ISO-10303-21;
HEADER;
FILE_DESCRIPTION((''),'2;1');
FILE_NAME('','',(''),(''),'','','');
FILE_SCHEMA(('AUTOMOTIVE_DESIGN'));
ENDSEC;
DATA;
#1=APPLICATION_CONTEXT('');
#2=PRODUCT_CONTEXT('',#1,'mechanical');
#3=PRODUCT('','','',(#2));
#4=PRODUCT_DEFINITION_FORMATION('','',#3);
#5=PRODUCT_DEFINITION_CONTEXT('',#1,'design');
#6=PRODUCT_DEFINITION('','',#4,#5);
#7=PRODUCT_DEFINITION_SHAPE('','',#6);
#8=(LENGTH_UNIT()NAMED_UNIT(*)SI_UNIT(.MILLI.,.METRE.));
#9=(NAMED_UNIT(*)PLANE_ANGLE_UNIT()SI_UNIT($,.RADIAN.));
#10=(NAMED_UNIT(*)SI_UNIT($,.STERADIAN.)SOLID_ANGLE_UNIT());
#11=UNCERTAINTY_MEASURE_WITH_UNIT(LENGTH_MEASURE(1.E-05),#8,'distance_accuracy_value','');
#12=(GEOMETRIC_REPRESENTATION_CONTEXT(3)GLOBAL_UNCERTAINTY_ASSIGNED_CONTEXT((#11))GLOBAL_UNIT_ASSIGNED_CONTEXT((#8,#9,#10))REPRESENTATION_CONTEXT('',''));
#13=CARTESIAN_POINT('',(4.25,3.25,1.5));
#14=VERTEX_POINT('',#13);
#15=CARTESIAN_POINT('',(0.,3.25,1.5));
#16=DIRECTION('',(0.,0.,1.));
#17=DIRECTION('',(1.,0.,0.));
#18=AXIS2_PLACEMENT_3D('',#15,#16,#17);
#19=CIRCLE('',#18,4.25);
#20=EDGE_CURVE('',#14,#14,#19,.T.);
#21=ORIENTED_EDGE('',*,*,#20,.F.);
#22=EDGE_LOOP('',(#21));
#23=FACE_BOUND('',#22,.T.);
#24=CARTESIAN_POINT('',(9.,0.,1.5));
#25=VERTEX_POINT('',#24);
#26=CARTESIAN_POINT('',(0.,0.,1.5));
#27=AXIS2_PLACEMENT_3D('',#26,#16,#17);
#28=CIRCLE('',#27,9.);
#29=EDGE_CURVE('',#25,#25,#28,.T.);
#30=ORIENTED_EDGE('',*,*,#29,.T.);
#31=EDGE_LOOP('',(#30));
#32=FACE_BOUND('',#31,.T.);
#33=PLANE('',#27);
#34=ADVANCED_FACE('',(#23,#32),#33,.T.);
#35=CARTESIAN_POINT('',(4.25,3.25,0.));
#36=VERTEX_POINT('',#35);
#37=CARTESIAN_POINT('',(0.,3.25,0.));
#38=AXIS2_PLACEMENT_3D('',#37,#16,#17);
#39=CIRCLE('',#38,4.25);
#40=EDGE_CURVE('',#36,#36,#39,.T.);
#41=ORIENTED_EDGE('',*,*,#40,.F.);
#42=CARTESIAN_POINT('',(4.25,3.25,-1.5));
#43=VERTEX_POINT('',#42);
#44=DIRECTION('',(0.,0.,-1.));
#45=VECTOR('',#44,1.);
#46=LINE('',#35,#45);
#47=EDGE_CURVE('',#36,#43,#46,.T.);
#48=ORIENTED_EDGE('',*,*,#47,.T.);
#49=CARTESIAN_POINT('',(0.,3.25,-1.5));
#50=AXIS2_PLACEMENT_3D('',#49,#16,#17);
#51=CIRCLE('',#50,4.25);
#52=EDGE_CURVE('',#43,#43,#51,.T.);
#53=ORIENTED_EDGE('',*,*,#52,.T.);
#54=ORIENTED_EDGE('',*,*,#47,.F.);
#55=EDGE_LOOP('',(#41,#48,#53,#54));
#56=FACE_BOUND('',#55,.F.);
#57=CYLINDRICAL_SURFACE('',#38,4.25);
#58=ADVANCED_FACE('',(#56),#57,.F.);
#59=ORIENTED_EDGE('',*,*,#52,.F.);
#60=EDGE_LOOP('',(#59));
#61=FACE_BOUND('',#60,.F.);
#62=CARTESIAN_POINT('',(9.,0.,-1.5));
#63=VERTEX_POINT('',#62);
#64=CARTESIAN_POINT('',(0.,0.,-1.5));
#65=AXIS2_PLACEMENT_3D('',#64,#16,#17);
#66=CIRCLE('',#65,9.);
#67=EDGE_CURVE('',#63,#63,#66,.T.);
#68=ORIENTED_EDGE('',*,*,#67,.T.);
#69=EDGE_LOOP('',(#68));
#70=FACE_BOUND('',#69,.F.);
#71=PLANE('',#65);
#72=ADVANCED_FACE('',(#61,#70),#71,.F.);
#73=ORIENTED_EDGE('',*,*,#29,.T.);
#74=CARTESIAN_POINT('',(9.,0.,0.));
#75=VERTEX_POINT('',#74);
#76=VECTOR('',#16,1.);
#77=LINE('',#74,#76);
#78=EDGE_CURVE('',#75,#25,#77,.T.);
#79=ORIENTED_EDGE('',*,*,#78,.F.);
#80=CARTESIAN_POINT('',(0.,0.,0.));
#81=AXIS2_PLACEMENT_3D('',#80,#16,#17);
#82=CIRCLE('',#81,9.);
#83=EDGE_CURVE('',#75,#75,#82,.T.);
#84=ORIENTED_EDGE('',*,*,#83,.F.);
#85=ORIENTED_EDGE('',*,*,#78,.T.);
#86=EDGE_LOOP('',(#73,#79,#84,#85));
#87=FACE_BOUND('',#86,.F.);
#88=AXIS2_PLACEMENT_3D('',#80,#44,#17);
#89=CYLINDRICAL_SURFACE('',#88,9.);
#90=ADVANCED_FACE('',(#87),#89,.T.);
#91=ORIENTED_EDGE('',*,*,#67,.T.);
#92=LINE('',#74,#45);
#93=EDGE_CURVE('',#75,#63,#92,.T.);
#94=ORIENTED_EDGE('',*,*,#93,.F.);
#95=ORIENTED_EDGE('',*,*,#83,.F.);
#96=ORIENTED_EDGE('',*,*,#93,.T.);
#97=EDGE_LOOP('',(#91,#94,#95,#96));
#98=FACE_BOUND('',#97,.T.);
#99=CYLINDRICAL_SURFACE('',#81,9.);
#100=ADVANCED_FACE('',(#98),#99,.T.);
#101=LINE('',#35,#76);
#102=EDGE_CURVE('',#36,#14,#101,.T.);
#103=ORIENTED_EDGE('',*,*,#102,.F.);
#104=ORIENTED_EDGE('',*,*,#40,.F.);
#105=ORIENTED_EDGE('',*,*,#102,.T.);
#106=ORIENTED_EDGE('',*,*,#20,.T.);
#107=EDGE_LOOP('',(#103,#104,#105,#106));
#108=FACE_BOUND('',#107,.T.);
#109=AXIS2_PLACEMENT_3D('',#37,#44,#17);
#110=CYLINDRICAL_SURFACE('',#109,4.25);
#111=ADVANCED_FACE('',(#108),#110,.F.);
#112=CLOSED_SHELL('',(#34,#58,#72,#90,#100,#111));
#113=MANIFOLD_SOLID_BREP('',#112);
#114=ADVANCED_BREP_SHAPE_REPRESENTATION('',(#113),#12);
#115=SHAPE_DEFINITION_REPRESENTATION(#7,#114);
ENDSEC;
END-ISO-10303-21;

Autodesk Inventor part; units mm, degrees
ref_plane "YZ Plane" through (0, 0, 0) normal (1, 0, 0) x (0, 1, 0)
ref_plane "XZ Plane" through (0, 0, 0) normal (0, 1, 0) x (-1, 0, 0)
ref_plane "XY Plane" through (0, 0, 0) normal (0, 0, 1) x (1, 0, 0)
sketch "Sketch1" plane through (0, 0, 0) normal (0, 0, 1) x (1, 0, 0)
  circle A0 centre (0, 0) radius 9
  circle A1 centre (0, 3.25) radius 4.25
  dimension "d0" = 18
  dimension "d1" = 8.5
  dimension "d2" = 3.25
extrude "Extrusion1" add sketch "Sketch1" along normal mid plane 3
properties part number "20.1"
